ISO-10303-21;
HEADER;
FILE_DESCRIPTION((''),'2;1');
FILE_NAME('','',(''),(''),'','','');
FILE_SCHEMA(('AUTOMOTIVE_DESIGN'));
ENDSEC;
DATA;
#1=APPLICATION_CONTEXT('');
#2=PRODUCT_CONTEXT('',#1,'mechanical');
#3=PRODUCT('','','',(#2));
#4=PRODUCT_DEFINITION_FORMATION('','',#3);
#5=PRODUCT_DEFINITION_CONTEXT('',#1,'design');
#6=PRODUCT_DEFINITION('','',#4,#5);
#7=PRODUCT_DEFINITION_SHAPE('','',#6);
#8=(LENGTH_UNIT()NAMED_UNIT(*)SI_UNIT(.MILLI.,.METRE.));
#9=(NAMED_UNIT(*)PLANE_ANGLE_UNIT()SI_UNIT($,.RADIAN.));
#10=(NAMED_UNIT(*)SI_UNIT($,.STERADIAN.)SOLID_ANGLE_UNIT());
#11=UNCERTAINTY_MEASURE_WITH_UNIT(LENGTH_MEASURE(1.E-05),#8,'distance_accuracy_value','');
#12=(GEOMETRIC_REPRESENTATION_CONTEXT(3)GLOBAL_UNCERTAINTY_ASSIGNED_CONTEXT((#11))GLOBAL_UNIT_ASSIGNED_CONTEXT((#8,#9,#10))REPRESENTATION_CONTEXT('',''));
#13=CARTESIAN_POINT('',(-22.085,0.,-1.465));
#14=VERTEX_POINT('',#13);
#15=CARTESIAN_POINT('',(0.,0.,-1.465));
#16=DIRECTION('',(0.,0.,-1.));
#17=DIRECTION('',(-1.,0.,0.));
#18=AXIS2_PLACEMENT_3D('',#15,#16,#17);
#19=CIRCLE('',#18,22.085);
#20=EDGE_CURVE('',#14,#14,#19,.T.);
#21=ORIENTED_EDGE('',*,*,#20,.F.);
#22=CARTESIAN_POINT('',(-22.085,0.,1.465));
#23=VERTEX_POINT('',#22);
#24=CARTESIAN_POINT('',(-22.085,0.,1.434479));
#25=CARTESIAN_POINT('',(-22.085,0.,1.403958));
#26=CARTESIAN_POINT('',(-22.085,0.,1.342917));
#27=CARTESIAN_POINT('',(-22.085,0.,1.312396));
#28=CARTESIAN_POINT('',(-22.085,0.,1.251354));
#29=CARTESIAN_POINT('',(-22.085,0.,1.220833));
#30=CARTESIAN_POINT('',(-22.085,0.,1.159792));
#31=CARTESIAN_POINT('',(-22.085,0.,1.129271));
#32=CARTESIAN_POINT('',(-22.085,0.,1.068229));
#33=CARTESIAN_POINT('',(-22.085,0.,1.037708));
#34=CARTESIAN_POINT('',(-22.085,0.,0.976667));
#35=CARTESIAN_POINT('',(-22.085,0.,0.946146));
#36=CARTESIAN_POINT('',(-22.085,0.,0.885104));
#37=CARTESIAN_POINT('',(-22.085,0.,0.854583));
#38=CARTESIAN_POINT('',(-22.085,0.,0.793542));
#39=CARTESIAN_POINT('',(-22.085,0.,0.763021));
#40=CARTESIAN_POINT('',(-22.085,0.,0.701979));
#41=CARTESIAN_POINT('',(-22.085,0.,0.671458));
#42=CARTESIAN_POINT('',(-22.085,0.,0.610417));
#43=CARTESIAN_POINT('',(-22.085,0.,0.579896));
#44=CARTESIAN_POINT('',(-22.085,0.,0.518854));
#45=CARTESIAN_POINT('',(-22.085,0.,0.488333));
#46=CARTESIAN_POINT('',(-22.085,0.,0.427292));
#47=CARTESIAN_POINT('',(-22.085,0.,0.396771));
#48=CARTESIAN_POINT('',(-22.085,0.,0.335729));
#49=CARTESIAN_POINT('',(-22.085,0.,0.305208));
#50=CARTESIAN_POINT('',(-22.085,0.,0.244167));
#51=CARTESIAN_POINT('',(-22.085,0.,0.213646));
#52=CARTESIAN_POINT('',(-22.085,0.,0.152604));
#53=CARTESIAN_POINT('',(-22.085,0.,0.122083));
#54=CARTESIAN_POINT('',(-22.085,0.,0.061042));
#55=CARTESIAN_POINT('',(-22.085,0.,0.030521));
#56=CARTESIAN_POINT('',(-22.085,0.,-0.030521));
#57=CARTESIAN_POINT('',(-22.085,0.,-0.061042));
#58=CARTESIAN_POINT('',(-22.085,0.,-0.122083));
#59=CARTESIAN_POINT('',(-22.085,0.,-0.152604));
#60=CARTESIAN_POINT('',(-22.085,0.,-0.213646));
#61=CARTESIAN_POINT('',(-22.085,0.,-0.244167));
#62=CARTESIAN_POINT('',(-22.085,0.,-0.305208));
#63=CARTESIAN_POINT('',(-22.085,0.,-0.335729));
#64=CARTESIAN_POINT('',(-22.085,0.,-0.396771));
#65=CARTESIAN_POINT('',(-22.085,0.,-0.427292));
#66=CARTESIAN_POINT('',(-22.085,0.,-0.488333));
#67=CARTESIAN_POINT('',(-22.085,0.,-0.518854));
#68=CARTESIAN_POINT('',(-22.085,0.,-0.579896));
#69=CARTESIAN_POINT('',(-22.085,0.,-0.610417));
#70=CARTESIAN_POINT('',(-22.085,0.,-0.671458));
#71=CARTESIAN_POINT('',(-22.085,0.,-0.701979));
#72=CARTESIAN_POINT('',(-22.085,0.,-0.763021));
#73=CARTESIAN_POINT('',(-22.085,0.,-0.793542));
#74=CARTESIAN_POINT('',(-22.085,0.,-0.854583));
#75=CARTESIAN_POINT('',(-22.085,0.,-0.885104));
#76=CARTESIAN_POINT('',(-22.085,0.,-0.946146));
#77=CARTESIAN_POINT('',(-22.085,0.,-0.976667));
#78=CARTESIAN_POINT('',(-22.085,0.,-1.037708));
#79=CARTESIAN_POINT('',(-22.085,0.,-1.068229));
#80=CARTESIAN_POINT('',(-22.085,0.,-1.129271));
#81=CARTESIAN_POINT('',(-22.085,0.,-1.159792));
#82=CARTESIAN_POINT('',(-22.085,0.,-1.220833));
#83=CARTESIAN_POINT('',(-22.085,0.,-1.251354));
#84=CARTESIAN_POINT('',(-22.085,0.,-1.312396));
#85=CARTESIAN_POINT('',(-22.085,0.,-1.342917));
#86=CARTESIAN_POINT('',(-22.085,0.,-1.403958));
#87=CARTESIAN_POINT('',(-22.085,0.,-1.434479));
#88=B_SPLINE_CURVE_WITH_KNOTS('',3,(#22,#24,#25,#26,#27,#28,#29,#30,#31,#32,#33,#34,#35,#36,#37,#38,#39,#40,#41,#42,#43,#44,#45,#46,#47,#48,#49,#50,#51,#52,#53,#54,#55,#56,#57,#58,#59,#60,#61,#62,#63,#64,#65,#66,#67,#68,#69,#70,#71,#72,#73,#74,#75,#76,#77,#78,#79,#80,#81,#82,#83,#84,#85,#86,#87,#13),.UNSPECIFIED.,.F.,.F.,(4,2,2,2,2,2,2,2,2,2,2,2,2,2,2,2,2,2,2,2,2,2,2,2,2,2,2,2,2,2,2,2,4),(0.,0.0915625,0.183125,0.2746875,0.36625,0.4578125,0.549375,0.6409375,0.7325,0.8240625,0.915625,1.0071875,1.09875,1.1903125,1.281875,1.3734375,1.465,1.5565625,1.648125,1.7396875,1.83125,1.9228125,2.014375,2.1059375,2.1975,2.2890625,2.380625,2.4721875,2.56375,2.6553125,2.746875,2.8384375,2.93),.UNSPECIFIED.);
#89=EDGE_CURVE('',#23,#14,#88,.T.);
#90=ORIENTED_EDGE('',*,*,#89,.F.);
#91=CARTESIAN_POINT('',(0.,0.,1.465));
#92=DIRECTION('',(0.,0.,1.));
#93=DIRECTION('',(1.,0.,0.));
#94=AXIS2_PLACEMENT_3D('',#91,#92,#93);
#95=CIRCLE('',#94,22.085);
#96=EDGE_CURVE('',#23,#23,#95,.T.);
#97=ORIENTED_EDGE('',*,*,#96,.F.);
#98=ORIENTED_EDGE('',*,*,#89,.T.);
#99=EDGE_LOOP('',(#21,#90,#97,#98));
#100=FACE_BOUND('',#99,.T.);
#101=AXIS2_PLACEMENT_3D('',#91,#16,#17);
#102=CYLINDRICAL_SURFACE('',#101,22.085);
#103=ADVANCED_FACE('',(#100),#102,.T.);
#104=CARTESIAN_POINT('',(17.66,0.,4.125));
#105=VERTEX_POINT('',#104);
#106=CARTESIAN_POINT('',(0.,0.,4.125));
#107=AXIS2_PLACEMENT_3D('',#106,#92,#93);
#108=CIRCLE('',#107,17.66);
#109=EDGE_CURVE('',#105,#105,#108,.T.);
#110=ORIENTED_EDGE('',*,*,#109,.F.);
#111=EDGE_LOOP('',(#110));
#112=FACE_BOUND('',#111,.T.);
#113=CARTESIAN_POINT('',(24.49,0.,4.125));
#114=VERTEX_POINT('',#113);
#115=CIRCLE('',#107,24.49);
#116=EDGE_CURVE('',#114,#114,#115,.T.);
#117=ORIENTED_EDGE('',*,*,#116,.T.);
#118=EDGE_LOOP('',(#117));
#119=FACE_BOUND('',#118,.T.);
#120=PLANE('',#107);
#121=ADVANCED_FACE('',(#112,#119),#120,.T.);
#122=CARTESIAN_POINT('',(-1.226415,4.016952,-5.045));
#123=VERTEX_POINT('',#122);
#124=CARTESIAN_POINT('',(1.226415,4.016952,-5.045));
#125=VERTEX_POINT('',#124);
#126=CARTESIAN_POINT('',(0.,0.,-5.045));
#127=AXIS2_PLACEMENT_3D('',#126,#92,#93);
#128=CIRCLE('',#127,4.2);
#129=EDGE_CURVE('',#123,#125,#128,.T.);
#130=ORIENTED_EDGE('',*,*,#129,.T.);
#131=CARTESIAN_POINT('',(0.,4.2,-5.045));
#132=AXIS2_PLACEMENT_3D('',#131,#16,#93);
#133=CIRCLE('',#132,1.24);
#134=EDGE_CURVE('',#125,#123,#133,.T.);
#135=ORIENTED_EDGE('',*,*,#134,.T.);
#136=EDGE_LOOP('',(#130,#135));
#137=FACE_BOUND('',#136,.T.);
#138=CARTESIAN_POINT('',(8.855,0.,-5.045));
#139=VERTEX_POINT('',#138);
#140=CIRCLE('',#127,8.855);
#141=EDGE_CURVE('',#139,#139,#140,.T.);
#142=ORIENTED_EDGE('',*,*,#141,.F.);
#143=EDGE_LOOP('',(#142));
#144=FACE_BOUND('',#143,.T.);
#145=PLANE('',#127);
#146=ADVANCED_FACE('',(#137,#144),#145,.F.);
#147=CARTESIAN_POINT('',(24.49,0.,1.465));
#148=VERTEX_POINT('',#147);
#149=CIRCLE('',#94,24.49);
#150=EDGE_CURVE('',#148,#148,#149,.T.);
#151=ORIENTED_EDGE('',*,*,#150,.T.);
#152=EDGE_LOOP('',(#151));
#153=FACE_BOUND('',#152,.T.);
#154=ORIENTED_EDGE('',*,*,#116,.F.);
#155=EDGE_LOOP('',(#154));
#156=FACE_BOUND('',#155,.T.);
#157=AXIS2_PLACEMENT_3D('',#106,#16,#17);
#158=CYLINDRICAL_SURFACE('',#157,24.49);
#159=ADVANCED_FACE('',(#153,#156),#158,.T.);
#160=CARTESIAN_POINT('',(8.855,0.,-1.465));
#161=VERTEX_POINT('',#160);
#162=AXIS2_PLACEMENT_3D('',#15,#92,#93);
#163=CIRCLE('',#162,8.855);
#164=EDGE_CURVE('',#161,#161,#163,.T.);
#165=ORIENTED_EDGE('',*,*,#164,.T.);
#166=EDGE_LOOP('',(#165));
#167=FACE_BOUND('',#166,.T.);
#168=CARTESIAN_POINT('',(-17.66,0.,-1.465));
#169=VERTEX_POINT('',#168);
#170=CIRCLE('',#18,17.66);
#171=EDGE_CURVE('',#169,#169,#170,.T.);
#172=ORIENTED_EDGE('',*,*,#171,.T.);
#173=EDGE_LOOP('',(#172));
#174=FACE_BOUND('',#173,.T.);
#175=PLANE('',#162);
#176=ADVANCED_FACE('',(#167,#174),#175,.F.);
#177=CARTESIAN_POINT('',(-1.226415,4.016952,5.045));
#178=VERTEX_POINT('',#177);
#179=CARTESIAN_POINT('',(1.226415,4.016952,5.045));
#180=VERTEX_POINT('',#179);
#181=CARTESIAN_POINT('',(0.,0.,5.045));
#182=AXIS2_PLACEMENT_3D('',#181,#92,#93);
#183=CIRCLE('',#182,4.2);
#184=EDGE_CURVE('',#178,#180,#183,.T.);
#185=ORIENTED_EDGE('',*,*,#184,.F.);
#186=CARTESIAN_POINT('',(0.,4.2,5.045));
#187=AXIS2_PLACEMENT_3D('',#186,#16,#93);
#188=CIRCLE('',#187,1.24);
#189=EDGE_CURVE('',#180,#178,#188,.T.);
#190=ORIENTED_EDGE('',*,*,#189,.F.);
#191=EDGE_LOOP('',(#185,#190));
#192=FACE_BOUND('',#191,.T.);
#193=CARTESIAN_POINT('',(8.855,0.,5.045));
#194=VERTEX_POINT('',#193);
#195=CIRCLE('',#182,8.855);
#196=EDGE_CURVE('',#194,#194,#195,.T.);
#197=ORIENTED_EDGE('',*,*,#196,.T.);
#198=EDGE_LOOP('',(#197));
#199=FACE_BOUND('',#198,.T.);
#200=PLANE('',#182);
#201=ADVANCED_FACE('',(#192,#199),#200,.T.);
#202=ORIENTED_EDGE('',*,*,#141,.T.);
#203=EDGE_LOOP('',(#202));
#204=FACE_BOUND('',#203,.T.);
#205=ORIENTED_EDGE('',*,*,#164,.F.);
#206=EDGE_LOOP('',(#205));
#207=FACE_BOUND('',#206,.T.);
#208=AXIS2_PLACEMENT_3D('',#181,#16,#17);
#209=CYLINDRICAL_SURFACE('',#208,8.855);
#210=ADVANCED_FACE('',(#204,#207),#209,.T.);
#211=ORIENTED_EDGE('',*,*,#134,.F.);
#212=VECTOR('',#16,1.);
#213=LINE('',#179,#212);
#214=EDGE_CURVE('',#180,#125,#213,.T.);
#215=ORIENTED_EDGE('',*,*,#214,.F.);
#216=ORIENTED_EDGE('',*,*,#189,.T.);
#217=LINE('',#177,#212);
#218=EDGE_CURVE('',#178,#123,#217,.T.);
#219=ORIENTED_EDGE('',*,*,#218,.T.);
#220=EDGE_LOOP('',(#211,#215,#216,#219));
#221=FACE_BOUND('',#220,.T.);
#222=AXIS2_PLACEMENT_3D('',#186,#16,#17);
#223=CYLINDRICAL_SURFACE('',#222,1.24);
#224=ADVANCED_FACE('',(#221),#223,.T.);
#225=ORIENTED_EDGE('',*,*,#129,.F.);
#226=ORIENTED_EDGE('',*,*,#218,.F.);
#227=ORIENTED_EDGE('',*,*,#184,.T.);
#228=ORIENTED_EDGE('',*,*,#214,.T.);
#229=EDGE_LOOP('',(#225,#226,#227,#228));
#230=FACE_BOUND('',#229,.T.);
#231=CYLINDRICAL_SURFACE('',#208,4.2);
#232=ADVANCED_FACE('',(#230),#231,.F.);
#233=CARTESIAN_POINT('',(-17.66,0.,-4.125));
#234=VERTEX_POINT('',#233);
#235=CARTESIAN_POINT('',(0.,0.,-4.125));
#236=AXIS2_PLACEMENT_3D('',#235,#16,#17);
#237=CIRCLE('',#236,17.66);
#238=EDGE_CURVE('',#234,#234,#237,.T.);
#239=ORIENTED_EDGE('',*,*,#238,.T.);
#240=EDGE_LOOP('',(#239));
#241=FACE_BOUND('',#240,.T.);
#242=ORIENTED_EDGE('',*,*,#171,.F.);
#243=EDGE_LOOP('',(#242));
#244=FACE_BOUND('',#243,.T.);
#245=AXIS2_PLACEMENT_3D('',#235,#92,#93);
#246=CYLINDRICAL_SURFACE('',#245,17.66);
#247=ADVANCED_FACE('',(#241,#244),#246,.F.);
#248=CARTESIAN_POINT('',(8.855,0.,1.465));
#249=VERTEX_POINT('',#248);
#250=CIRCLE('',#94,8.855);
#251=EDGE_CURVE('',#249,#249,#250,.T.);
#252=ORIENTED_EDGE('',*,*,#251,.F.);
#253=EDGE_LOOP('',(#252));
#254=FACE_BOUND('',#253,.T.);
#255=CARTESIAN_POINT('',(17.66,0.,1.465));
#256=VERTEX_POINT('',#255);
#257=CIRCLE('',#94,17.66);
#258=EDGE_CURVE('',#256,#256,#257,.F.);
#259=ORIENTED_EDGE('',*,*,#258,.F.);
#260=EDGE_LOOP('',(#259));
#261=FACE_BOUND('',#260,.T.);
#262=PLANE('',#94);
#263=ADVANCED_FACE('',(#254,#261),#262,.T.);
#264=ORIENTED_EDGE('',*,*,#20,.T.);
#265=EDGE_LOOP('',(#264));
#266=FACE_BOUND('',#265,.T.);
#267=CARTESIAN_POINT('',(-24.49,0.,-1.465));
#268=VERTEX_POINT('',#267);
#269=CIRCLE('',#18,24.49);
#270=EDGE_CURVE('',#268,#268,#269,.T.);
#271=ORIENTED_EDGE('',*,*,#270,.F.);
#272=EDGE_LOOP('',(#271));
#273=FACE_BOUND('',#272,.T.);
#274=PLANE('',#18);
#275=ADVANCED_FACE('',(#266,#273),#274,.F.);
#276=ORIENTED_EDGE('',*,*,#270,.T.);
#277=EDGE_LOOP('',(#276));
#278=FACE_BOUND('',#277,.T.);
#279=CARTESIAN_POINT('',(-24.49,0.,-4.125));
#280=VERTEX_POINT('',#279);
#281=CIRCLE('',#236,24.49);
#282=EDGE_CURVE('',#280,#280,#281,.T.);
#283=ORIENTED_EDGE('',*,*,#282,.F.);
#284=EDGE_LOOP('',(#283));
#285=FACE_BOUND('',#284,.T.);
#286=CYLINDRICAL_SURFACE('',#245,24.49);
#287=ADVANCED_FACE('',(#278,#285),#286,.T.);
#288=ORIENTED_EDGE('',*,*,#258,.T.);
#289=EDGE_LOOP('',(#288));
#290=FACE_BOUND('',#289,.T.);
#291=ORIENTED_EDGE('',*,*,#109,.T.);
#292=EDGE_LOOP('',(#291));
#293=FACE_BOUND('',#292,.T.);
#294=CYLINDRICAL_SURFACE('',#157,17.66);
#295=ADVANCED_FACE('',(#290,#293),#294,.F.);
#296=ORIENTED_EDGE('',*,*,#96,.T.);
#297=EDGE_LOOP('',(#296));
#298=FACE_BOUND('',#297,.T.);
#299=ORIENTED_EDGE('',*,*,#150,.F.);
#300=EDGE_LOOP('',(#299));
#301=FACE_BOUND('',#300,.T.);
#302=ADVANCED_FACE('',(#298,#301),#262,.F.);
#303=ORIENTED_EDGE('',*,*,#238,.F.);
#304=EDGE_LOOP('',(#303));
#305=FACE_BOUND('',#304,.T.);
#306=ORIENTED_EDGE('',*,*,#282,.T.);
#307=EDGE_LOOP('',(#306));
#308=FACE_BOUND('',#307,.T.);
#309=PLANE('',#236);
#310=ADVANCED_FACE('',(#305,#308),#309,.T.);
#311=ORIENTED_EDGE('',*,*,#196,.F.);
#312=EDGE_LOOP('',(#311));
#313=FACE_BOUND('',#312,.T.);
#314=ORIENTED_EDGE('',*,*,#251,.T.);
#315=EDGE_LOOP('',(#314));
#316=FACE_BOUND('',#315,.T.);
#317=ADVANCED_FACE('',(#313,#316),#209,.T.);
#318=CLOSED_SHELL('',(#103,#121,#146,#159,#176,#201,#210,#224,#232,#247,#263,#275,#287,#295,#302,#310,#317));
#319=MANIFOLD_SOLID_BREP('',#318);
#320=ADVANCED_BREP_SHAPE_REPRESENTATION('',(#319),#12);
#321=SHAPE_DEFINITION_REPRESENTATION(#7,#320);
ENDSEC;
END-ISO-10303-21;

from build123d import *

# Parameters (mm, degrees)
SKETCH1_R           = 8.855
BOSS_EXTRUDE1_DEPTH = 5.045
SKETCH2_R           = 22.085
SKETCH2_R_2         = 8.855
BOSS_EXTRUDE2_DEPTH = 1.465
SKETCH4_R           = 24.49
SKETCH4_R_2         = 17.66
BOSS_EXTRUDE3_DEPTH = 2.66
BOSS_EXTRUDE4_START = 2.66
SKETCH5_R           = 24.49
SKETCH5_R_2         = 17.66
BOSS_EXTRUDE4_DEPTH = 2.66


with BuildPart() as part:
    # Sketch1 → Boss-Extrude1 (new, symmetric)
    with BuildSketch(Plane.XY):
        Circle(SKETCH1_R)
        with BuildLine():
            ThreePointArc((-1.226414925, 4.016952381), (0, -4.2), (1.226414925, 4.016952381))
            ThreePointArc((1.226414925, 4.016952381), (0, 2.96), (-1.226414925, 4.016952381))
        make_face(mode=Mode.SUBTRACT)
    extrude(amount=BOSS_EXTRUDE1_DEPTH, both=True)

    # Sketch2 → Boss-Extrude2 (add, symmetric)
    with BuildSketch(Plane.XY):
        with Locations(Location((0, 0, 0), (0, 0, 180))):
            Circle(SKETCH2_R)
        Circle(SKETCH2_R_2, mode=Mode.SUBTRACT)
    extrude(amount=BOSS_EXTRUDE2_DEPTH, both=True)

    # Sketch4 → Boss-Extrude3 (add)
    with BuildSketch(Plane.XY.offset(1.465)):
        Circle(SKETCH4_R)
        Circle(SKETCH4_R_2, mode=Mode.SUBTRACT)
    extrude(amount=BOSS_EXTRUDE3_DEPTH)

    # Sketch5 → Boss-Extrude4 (add)
    with BuildSketch(Plane(origin=(0, 0, -1.465), x_dir=(-1, 0, 0), z_dir=(0, 0, -1)).offset(BOSS_EXTRUDE4_START)):
        with Locations(Location((0, 0, 0), (0, 0, 180))):
            Circle(SKETCH5_R)
        with Locations(Location((0, 0, 0), (0, 0, 180))):
            Circle(SKETCH5_R_2, mode=Mode.SUBTRACT)
    extrude(amount=-BOSS_EXTRUDE4_DEPTH)


solid = part.part
